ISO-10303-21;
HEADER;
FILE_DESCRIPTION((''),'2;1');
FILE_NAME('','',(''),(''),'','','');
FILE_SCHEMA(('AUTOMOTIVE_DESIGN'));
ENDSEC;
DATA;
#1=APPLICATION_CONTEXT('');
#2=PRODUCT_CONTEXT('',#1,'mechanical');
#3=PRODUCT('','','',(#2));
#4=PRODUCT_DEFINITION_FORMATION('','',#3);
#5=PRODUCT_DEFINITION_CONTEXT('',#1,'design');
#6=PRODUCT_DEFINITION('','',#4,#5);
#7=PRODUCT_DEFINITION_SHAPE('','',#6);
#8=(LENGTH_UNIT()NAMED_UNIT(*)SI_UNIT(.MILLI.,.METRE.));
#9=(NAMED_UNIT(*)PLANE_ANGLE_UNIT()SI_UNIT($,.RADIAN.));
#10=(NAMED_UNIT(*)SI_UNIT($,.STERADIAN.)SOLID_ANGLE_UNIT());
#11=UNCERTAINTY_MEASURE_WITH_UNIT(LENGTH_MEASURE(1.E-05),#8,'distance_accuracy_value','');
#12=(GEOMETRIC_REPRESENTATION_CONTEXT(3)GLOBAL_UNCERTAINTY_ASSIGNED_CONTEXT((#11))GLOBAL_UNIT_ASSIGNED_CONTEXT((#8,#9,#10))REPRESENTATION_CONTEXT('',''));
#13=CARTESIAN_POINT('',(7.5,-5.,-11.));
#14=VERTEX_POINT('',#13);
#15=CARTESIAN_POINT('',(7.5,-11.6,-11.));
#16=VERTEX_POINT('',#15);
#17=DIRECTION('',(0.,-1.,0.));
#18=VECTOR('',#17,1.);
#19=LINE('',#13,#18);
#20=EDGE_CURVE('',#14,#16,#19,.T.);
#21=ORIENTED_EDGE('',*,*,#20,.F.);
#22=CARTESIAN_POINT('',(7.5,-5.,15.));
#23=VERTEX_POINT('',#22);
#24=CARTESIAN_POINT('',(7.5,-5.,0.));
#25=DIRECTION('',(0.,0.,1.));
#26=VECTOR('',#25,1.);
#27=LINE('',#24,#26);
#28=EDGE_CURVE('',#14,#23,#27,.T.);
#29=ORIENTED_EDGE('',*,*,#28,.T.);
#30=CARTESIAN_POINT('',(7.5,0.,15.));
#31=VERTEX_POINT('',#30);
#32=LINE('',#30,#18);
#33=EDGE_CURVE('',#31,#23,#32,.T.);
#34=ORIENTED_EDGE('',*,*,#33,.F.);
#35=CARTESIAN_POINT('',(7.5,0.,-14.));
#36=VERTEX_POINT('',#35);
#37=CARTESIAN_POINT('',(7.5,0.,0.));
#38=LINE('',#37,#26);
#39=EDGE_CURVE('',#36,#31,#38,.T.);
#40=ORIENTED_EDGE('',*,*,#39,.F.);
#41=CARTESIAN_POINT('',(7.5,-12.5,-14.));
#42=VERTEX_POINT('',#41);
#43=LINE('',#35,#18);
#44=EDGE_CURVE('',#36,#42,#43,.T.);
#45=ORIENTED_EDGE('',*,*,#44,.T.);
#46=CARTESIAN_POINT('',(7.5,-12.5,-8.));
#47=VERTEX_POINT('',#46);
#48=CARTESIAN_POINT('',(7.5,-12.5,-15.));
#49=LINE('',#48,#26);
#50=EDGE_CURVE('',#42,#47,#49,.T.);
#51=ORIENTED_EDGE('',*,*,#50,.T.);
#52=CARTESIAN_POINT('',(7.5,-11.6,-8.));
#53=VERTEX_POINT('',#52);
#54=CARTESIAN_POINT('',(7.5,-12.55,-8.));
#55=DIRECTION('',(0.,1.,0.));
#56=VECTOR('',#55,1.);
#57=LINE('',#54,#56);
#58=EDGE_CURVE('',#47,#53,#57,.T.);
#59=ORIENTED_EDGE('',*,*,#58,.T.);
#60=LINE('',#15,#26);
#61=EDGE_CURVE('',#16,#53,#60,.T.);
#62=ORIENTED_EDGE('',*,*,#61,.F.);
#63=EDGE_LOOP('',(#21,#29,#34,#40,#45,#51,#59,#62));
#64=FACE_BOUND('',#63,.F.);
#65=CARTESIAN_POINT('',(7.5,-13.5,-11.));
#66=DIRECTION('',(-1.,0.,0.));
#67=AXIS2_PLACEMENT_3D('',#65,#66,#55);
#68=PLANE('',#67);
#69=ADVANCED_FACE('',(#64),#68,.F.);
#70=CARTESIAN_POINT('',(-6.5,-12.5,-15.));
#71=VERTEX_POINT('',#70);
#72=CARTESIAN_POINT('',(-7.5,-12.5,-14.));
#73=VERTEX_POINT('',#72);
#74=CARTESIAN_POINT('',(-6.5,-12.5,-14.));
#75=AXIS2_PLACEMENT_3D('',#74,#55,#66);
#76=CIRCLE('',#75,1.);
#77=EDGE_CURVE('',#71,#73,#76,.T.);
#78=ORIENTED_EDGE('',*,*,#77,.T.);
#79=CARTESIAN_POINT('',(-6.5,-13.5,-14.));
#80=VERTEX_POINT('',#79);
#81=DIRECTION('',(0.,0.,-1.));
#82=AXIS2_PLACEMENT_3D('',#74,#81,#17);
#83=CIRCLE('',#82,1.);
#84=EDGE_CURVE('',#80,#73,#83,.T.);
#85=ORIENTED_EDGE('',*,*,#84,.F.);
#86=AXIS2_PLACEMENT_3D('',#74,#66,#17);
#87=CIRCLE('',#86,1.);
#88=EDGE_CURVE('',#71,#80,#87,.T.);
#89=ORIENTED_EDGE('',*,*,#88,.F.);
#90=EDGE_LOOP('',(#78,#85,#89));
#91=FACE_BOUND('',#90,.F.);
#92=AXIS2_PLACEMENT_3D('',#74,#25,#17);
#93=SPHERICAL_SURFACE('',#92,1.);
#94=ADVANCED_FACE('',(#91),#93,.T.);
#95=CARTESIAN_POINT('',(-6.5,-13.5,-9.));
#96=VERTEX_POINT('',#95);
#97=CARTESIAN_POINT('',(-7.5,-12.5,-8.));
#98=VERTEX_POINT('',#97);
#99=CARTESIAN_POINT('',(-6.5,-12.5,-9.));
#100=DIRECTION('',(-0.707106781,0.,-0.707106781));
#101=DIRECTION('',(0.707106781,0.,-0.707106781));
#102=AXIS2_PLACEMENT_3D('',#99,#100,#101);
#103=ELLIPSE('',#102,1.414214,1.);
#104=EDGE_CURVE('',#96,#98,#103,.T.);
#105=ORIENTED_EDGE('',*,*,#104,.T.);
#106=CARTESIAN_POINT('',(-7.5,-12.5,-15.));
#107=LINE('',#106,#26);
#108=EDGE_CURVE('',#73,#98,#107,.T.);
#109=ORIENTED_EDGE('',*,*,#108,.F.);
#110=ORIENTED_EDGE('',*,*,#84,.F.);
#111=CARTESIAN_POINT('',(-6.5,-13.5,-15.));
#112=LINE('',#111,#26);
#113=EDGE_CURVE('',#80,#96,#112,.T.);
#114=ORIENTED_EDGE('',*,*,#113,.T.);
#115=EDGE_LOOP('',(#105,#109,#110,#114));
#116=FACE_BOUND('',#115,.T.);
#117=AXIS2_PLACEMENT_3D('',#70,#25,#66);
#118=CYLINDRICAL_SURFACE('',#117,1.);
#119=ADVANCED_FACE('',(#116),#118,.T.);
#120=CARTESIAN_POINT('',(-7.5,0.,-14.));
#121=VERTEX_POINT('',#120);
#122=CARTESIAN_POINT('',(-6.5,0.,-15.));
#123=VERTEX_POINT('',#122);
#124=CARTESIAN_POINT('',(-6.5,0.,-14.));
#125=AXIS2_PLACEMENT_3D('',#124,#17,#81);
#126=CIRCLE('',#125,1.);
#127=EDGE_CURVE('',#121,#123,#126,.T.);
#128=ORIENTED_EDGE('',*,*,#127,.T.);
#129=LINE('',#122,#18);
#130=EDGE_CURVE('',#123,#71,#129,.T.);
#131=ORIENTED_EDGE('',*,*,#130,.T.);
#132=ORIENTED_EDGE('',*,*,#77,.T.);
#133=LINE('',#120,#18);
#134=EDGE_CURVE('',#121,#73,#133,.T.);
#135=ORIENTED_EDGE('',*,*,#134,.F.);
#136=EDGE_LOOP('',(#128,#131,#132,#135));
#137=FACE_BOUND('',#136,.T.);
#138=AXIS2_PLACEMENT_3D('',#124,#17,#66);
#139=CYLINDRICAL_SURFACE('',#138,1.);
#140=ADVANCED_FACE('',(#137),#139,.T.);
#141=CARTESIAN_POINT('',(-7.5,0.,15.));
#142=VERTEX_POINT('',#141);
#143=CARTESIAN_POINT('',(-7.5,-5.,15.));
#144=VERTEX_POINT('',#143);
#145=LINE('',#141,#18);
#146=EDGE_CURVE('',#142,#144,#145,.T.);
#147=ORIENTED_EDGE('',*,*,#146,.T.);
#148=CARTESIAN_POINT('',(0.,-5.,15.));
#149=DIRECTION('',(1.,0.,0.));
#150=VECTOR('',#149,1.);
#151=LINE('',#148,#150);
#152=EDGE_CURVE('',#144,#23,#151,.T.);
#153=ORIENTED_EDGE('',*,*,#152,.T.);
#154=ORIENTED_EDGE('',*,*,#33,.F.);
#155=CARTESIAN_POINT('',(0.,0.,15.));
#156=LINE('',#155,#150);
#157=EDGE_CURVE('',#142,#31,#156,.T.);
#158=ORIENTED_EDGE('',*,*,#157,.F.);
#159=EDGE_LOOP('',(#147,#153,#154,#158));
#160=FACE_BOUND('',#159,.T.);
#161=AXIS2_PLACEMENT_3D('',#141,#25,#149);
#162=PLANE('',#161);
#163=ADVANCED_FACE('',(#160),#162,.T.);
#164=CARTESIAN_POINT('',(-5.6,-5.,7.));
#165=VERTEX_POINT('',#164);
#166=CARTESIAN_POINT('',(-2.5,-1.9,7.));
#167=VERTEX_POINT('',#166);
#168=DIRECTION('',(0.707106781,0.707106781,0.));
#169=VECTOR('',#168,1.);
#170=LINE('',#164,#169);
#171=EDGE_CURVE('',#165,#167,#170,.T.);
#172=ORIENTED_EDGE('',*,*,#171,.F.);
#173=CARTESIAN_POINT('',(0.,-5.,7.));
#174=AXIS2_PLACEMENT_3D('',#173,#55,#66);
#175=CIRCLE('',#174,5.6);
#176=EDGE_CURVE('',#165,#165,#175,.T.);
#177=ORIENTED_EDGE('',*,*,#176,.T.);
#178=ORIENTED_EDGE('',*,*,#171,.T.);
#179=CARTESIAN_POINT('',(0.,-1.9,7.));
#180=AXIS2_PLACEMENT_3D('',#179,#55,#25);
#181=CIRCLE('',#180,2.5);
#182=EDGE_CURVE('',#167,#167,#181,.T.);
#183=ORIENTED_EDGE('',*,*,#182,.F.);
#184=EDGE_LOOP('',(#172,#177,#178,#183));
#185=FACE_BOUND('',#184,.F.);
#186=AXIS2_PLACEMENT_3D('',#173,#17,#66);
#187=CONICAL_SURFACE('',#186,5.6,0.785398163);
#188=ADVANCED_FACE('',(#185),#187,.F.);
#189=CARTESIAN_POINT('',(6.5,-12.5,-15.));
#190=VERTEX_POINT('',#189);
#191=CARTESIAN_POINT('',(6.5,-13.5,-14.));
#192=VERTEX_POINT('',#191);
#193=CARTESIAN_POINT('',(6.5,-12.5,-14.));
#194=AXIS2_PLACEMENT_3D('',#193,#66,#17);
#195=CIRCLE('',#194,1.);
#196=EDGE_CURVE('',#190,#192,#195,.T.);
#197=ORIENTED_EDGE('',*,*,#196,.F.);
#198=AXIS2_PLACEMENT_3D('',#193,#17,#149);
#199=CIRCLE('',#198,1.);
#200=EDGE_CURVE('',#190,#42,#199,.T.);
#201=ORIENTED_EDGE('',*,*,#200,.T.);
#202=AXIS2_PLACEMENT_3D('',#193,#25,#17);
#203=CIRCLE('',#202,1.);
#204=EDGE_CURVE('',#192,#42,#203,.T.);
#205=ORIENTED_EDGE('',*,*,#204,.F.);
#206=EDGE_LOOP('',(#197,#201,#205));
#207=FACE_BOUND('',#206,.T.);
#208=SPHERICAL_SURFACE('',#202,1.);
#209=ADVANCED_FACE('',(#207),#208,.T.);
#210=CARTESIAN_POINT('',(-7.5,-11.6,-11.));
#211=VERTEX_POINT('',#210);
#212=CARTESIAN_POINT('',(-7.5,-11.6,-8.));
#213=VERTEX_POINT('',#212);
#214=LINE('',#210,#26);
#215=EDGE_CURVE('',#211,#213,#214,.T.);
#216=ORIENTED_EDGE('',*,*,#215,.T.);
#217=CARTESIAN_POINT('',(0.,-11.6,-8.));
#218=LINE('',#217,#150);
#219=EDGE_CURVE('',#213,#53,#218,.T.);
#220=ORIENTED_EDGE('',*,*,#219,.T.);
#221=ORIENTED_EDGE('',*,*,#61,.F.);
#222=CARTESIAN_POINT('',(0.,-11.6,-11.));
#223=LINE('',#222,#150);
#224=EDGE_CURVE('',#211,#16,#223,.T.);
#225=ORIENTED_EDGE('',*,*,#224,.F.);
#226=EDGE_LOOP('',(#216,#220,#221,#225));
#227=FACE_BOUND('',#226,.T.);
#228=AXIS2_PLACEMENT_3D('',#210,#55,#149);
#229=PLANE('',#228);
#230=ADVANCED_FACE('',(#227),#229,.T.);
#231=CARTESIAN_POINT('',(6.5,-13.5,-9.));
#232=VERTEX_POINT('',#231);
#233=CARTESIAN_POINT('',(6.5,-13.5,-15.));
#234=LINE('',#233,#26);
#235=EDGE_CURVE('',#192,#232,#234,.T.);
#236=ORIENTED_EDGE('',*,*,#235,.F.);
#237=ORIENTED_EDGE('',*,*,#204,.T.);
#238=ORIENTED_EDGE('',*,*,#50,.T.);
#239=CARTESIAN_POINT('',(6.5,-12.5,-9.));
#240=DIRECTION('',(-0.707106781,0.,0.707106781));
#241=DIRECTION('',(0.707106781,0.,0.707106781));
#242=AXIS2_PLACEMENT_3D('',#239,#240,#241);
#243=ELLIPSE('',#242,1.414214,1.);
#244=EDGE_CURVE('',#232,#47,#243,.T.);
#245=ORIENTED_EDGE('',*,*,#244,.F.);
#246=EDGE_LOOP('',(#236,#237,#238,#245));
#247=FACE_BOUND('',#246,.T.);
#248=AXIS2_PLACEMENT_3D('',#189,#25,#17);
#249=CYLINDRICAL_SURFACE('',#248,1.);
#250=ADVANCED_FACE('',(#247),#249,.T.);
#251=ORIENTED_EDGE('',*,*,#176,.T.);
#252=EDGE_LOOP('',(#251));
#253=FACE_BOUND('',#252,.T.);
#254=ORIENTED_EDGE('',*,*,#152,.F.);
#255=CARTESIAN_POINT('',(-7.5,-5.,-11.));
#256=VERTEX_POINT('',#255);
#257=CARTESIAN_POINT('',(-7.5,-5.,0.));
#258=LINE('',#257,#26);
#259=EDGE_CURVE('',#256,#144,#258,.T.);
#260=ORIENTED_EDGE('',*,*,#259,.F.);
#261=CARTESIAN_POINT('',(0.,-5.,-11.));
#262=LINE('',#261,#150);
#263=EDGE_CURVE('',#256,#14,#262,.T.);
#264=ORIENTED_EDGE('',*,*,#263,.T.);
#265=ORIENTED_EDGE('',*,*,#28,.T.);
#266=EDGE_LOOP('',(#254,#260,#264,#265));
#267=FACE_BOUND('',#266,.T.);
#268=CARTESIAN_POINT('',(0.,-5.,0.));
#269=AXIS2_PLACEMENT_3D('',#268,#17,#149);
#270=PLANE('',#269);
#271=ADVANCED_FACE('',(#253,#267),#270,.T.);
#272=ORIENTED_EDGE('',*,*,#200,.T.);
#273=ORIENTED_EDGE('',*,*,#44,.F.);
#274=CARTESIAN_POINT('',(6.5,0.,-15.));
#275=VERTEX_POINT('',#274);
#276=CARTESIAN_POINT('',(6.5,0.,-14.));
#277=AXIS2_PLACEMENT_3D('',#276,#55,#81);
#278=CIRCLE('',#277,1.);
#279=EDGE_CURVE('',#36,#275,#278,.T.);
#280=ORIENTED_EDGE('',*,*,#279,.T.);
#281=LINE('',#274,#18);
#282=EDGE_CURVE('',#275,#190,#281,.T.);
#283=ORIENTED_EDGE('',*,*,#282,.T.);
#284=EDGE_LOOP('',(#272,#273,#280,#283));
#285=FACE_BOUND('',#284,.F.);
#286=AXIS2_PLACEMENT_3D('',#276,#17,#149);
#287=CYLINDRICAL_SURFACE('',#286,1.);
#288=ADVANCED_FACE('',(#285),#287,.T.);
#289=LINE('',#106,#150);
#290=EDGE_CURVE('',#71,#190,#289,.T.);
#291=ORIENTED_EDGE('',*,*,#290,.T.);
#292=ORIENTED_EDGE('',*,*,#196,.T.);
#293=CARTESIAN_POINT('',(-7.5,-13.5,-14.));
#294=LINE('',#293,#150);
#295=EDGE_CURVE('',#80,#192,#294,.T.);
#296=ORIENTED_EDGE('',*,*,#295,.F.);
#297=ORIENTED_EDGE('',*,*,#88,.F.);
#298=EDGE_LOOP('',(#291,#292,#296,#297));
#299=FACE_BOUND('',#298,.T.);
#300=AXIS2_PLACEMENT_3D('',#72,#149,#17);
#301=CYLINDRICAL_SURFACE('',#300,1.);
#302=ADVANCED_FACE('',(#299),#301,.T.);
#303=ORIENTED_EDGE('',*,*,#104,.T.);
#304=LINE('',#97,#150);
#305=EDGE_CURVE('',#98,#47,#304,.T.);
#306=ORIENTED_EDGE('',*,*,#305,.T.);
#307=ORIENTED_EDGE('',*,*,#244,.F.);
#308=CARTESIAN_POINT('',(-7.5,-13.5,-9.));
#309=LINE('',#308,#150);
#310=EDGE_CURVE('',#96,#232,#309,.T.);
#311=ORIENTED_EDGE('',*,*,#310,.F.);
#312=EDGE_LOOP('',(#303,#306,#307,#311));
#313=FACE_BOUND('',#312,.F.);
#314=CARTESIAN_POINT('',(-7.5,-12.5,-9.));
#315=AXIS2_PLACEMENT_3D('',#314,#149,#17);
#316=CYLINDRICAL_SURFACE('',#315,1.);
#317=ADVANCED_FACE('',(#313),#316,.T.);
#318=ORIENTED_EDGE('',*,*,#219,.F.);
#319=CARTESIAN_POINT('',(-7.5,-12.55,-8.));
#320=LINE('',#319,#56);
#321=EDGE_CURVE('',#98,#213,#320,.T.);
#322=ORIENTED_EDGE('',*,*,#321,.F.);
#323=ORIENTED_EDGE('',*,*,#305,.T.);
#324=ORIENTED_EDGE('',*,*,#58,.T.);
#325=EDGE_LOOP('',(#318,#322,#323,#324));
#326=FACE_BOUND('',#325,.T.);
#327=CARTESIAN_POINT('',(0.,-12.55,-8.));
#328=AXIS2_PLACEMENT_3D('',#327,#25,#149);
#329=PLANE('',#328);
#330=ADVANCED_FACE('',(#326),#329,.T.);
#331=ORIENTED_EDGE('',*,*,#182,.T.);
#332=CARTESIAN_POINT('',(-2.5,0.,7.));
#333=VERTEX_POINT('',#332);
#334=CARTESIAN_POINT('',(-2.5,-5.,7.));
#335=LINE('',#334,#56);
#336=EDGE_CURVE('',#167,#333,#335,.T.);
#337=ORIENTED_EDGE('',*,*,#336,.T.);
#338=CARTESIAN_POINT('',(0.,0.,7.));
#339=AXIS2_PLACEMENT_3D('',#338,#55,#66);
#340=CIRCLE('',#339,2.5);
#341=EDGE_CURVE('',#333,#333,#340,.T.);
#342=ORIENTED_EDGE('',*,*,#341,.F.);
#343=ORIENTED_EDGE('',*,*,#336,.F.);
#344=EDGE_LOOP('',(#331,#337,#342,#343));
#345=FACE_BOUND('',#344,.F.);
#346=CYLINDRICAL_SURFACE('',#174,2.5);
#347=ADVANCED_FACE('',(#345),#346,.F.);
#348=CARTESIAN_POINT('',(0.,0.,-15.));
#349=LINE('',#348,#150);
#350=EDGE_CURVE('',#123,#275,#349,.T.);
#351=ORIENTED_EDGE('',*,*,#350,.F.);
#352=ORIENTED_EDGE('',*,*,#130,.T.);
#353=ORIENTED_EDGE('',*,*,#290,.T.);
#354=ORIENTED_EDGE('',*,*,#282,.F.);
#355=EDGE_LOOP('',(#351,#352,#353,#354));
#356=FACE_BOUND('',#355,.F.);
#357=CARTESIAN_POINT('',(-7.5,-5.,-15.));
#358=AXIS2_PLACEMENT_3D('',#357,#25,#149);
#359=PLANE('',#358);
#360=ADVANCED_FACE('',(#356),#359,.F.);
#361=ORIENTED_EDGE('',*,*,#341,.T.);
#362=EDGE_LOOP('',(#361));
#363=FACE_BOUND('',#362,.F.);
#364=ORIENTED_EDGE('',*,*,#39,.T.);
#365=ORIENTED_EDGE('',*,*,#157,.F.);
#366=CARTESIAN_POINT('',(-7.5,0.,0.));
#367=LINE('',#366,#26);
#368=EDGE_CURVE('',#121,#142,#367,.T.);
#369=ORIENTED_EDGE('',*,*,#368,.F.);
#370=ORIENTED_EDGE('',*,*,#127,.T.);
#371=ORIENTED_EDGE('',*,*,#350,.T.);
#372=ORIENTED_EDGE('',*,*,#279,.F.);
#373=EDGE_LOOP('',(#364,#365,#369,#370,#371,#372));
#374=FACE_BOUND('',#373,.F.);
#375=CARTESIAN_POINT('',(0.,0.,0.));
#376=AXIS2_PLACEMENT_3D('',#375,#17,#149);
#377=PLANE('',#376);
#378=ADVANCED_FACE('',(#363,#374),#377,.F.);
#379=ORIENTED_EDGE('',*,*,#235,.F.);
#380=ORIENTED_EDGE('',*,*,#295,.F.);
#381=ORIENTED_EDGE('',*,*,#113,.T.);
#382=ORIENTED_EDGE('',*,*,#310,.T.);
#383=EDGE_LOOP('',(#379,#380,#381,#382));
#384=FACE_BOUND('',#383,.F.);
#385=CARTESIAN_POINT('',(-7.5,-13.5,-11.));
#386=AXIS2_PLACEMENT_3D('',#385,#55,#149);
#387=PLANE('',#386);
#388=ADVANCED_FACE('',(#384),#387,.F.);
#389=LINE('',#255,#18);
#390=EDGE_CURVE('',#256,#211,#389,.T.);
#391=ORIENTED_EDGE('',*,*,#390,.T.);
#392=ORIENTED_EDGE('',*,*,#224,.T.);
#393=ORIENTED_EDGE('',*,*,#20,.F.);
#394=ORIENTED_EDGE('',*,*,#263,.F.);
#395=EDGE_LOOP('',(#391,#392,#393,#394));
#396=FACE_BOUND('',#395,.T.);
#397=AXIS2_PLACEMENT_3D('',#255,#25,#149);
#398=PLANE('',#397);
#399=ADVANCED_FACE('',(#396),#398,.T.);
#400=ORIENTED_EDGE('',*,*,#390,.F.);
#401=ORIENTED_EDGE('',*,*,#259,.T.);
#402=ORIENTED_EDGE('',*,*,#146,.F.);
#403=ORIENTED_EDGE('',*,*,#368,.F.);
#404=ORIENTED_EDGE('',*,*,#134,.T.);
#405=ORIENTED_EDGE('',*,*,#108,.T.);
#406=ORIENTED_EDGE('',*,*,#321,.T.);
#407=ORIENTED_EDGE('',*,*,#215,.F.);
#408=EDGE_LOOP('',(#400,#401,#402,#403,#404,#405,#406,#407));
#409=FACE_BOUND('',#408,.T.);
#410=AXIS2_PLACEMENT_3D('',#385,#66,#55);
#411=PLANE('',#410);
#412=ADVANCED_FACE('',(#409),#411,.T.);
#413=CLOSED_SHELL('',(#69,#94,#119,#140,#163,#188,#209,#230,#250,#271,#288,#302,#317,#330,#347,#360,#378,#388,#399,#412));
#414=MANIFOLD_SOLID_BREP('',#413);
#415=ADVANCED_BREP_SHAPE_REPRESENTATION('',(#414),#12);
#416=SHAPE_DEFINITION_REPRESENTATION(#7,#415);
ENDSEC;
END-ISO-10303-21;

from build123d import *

# Parameters (mm, degrees)
F0_W           = 15
F0_H           = 30
F1_DEPTH       = 5
F3_D           = 5
F3_CSINK_D     = 11.2
F3_CSINK_ANGLE = 90
F4_W           = 15
F4_H           = 4
F5_DEPTH       = 8.5
F6_W           = 15
F6_H           = 1.9
F7_DEPTH       = 3
F8_R           = 1


with BuildPart() as f1:
    # F0 (on Front) → F1 (new body)
    with BuildSketch(Plane.XZ):
        Rectangle(F0_W, F0_H)
    extrude(amount=F1_DEPTH)

    # F3 (through all)
    with Locations(Plane.XZ.offset(5)):
        with Locations((0, 7)):
            CounterSinkHole(F3_D / 2, F3_CSINK_D / 2, counter_sink_angle=F3_CSINK_ANGLE)

    # F4 (on face) → F5 (join)
    with BuildSketch(Plane.XZ.offset(5)):
        with Locations((0, -13)):
            Rectangle(F4_W, F4_H)
    extrude(amount=F5_DEPTH)

    # F6 (on face) → F7 (join)
    with BuildSketch(Plane.XY.offset(-11)):
        with Locations((0, -12.55)):
            Rectangle(F6_W, F6_H)
    extrude(amount=F7_DEPTH)

    # F8
    f8_edges = [f1.edges().sort_by_distance(p)[0] for p in [
        (0, -13.5, -8),
        (7.5, -13.5, -11.5),
        (-7.5, -13.5, -11.5),
        (0, -13.5, -15),
        (7.5, -6.75, -15),
        (-7.5, -6.75, -15),
    ]]
    fillet(f8_edges, radius=F8_R)


solid = f1.part
